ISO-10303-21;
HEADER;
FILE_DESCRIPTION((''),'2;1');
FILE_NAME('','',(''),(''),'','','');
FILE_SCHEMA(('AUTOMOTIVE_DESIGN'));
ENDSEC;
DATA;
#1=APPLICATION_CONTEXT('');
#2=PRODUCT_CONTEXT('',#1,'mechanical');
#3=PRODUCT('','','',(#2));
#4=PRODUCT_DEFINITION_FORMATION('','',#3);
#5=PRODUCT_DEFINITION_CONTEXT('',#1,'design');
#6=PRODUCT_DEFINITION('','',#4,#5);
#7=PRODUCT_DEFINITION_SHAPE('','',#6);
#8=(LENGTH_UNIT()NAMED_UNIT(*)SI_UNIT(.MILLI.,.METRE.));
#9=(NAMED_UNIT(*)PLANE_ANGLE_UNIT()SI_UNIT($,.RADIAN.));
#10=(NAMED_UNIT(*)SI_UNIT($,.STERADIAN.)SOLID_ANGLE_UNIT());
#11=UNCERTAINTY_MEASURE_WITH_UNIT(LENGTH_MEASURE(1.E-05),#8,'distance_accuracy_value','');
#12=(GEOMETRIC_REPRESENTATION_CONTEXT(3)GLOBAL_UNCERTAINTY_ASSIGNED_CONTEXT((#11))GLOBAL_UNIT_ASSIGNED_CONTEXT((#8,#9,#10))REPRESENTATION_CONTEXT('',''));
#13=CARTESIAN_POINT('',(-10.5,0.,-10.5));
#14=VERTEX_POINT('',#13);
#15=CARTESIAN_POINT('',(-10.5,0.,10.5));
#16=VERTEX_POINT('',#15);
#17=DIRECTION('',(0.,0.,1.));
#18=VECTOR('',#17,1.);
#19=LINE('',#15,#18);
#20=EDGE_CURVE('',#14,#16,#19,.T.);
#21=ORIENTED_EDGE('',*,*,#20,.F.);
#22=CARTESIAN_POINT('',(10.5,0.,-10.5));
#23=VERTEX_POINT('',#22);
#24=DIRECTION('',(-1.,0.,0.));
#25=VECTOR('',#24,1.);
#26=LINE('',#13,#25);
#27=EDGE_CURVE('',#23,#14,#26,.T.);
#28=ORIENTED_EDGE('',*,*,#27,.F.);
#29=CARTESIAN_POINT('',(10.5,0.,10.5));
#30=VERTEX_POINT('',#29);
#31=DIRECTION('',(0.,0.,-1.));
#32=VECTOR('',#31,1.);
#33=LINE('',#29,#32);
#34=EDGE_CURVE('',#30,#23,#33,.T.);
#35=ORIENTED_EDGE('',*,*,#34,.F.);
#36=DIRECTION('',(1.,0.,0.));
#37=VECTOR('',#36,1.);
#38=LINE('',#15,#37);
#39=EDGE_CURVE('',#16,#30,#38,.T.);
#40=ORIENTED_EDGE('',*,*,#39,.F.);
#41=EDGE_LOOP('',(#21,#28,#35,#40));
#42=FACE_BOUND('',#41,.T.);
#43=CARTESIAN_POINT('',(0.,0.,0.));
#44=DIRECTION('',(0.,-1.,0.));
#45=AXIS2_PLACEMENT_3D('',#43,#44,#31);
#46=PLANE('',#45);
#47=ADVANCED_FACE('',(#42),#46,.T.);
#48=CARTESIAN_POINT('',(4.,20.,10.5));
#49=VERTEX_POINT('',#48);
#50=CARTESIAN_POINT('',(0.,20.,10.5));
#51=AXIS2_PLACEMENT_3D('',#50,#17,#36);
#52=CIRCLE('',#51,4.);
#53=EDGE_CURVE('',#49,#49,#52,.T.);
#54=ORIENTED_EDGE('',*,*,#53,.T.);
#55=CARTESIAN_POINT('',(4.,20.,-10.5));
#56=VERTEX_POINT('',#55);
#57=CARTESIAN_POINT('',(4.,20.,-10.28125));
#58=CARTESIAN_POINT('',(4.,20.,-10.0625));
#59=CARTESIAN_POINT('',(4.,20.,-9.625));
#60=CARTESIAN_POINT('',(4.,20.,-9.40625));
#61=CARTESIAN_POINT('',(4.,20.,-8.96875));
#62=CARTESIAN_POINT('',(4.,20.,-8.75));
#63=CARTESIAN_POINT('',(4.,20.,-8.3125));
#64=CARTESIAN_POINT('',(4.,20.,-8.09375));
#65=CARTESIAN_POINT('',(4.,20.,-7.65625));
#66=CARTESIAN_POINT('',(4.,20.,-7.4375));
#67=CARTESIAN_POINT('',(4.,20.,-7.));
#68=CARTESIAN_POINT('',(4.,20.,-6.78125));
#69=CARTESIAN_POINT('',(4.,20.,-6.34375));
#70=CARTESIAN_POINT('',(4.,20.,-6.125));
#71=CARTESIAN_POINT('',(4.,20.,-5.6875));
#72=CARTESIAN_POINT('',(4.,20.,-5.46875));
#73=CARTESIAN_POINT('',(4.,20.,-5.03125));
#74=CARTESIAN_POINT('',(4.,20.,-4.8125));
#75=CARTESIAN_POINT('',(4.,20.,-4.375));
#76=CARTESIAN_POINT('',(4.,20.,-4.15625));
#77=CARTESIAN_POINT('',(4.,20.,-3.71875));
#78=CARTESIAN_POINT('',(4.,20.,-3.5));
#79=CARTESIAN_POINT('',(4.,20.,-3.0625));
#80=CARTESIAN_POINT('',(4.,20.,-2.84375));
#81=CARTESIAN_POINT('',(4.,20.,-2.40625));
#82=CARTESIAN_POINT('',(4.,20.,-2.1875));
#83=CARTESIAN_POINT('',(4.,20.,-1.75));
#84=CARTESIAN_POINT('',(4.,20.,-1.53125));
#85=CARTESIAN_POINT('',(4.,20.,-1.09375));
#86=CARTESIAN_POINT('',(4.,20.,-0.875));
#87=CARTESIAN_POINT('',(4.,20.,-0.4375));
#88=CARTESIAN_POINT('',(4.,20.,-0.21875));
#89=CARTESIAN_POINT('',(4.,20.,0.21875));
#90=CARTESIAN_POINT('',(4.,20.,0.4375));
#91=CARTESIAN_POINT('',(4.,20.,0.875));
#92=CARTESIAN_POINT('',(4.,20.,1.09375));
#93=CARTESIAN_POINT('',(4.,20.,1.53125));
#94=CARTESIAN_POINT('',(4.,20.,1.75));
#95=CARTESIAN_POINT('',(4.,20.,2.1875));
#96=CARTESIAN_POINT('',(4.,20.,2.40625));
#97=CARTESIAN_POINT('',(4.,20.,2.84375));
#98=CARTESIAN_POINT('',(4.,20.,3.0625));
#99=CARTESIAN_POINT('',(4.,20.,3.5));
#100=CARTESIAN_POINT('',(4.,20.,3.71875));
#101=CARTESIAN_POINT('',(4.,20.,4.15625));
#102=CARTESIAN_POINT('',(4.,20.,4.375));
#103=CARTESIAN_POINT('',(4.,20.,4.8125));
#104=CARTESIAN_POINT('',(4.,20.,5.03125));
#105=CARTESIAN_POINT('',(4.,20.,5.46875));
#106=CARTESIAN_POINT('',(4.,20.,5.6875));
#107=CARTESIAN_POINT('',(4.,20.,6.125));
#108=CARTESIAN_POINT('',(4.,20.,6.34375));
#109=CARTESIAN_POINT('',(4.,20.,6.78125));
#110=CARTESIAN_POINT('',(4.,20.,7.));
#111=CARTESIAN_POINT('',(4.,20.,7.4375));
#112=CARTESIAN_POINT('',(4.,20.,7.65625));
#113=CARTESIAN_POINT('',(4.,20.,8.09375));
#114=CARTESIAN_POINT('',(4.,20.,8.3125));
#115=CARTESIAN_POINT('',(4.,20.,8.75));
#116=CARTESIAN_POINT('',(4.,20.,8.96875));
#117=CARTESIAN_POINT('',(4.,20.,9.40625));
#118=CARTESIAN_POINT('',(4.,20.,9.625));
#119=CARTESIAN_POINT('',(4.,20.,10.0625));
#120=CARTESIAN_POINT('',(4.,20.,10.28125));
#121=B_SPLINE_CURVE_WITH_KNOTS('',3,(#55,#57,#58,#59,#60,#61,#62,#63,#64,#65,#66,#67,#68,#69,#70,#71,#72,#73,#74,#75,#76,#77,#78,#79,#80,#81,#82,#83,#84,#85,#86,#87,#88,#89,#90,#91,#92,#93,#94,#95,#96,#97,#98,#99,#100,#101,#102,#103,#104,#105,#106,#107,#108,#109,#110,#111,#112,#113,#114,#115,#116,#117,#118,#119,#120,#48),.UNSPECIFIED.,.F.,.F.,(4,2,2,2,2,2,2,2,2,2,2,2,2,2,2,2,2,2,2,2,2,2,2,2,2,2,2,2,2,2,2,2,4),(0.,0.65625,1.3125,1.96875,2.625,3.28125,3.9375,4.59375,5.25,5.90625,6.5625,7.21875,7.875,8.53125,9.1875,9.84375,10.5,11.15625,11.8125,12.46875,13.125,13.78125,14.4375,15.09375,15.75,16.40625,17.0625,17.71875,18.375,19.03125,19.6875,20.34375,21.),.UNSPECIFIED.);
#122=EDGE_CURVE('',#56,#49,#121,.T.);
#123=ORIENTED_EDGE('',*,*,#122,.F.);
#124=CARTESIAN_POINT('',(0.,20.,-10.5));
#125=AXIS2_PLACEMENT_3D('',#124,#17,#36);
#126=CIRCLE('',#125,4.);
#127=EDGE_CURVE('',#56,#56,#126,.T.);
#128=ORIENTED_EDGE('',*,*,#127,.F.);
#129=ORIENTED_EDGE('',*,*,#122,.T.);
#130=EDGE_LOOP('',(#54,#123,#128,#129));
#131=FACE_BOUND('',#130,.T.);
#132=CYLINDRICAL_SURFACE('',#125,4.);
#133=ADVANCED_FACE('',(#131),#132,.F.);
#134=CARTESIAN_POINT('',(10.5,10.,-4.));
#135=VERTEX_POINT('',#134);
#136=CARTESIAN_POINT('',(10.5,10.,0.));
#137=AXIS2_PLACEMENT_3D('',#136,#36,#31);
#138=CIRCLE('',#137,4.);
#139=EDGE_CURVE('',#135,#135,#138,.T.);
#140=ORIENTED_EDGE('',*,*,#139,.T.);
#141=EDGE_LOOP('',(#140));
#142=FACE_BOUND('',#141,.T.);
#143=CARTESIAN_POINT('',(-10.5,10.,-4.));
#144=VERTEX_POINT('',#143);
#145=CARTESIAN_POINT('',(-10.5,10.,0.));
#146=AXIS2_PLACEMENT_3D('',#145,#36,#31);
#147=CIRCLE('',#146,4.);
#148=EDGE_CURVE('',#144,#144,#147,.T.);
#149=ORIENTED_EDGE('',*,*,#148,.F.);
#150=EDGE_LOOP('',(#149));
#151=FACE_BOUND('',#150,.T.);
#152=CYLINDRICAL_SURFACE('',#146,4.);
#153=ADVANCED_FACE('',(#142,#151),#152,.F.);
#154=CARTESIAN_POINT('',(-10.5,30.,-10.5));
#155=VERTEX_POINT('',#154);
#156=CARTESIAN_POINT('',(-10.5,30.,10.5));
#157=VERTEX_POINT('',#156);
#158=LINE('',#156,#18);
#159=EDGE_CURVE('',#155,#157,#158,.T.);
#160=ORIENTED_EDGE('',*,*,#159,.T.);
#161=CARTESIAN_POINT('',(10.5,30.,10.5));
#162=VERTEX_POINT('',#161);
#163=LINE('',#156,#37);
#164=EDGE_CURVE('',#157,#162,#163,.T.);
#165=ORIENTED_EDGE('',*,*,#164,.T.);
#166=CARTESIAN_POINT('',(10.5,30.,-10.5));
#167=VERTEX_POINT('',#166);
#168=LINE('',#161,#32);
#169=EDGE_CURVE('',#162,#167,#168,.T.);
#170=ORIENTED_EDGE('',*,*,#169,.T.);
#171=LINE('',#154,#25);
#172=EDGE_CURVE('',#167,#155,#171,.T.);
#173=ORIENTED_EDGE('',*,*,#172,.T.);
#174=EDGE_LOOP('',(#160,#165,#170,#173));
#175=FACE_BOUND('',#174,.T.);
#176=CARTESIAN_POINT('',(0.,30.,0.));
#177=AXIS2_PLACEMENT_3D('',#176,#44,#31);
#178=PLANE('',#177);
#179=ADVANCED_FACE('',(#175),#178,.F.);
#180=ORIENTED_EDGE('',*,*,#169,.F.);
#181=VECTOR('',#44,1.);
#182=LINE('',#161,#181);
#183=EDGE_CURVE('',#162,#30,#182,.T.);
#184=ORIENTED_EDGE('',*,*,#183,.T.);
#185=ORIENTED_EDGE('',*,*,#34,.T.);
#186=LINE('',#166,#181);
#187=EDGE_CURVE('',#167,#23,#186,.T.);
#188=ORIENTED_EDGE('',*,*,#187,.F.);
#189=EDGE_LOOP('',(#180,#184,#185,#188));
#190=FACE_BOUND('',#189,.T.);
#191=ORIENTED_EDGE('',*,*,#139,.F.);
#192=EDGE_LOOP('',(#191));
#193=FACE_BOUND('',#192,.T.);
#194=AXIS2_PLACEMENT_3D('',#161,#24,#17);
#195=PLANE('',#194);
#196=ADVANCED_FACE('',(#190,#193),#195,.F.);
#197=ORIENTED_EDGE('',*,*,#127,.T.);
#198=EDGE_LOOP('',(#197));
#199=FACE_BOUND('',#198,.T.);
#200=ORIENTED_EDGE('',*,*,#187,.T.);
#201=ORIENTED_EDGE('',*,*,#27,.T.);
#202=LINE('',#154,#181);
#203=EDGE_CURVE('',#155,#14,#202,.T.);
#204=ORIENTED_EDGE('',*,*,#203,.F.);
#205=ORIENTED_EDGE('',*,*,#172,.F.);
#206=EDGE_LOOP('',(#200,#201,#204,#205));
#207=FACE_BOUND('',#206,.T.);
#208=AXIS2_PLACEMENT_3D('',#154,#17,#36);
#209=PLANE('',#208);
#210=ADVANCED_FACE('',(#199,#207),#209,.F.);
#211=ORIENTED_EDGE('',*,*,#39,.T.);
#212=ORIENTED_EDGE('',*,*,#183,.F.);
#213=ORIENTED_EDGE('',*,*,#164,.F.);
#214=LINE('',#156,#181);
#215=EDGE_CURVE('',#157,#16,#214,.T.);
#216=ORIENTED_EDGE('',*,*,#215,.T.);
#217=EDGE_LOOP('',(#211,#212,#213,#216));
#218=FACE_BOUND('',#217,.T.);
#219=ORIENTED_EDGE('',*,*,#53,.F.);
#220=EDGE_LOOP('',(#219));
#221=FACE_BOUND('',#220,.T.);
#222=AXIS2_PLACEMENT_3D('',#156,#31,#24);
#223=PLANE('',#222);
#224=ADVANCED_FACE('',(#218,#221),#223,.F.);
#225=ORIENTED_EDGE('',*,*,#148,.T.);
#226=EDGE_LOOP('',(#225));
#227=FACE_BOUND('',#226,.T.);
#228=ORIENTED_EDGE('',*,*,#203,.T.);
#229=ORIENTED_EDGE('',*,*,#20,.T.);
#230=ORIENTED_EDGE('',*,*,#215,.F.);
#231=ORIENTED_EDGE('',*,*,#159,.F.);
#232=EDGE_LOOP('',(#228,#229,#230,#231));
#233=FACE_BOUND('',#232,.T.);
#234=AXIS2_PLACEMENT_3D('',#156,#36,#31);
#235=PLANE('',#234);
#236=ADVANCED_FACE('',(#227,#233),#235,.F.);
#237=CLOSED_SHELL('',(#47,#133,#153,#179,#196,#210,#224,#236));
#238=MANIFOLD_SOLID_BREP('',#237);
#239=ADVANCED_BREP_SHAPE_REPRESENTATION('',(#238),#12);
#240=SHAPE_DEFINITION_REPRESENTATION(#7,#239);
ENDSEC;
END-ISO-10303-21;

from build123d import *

# Parameters (mm, degrees)
SKETCH1_W           = 21
SKETCH1_H           = 21
BOSS_EXTRUDE1_DEPTH = 30
SKETCH2_R           = 4
CUT_EXTRUDE1_DEPTH  = 39.095275298
SKETCH3_R           = 4
CUT_EXTRUDE2_DEPTH  = 39.095275298


with BuildPart() as part:
    # Sketch1 → Boss-Extrude1 (new body)
    with BuildSketch(Plane(origin=(0, 0, 0), x_dir=(1, 0, 0), z_dir=(0, 1, 0))):
        Rectangle(SKETCH1_W, SKETCH1_H)
    extrude(amount=BOSS_EXTRUDE1_DEPTH)

    # Sketch2 → Cut-Extrude1 (cut, through all)
    with BuildSketch(Plane.XY.offset(10.5)):
        with Locations((0, 20)):
            Circle(SKETCH2_R)
    extrude(amount=-CUT_EXTRUDE1_DEPTH, mode=Mode.SUBTRACT)

    # Sketch3 → Cut-Extrude2 (cut, through all)
    with BuildSketch(Plane(origin=(10.5, 0, 0), x_dir=(0, 0, -1), z_dir=(1, 0, 0))):
        with Locations((0, 10)):
            Circle(SKETCH3_R)
    extrude(amount=-CUT_EXTRUDE2_DEPTH, mode=Mode.SUBTRACT)


solid = part.part
